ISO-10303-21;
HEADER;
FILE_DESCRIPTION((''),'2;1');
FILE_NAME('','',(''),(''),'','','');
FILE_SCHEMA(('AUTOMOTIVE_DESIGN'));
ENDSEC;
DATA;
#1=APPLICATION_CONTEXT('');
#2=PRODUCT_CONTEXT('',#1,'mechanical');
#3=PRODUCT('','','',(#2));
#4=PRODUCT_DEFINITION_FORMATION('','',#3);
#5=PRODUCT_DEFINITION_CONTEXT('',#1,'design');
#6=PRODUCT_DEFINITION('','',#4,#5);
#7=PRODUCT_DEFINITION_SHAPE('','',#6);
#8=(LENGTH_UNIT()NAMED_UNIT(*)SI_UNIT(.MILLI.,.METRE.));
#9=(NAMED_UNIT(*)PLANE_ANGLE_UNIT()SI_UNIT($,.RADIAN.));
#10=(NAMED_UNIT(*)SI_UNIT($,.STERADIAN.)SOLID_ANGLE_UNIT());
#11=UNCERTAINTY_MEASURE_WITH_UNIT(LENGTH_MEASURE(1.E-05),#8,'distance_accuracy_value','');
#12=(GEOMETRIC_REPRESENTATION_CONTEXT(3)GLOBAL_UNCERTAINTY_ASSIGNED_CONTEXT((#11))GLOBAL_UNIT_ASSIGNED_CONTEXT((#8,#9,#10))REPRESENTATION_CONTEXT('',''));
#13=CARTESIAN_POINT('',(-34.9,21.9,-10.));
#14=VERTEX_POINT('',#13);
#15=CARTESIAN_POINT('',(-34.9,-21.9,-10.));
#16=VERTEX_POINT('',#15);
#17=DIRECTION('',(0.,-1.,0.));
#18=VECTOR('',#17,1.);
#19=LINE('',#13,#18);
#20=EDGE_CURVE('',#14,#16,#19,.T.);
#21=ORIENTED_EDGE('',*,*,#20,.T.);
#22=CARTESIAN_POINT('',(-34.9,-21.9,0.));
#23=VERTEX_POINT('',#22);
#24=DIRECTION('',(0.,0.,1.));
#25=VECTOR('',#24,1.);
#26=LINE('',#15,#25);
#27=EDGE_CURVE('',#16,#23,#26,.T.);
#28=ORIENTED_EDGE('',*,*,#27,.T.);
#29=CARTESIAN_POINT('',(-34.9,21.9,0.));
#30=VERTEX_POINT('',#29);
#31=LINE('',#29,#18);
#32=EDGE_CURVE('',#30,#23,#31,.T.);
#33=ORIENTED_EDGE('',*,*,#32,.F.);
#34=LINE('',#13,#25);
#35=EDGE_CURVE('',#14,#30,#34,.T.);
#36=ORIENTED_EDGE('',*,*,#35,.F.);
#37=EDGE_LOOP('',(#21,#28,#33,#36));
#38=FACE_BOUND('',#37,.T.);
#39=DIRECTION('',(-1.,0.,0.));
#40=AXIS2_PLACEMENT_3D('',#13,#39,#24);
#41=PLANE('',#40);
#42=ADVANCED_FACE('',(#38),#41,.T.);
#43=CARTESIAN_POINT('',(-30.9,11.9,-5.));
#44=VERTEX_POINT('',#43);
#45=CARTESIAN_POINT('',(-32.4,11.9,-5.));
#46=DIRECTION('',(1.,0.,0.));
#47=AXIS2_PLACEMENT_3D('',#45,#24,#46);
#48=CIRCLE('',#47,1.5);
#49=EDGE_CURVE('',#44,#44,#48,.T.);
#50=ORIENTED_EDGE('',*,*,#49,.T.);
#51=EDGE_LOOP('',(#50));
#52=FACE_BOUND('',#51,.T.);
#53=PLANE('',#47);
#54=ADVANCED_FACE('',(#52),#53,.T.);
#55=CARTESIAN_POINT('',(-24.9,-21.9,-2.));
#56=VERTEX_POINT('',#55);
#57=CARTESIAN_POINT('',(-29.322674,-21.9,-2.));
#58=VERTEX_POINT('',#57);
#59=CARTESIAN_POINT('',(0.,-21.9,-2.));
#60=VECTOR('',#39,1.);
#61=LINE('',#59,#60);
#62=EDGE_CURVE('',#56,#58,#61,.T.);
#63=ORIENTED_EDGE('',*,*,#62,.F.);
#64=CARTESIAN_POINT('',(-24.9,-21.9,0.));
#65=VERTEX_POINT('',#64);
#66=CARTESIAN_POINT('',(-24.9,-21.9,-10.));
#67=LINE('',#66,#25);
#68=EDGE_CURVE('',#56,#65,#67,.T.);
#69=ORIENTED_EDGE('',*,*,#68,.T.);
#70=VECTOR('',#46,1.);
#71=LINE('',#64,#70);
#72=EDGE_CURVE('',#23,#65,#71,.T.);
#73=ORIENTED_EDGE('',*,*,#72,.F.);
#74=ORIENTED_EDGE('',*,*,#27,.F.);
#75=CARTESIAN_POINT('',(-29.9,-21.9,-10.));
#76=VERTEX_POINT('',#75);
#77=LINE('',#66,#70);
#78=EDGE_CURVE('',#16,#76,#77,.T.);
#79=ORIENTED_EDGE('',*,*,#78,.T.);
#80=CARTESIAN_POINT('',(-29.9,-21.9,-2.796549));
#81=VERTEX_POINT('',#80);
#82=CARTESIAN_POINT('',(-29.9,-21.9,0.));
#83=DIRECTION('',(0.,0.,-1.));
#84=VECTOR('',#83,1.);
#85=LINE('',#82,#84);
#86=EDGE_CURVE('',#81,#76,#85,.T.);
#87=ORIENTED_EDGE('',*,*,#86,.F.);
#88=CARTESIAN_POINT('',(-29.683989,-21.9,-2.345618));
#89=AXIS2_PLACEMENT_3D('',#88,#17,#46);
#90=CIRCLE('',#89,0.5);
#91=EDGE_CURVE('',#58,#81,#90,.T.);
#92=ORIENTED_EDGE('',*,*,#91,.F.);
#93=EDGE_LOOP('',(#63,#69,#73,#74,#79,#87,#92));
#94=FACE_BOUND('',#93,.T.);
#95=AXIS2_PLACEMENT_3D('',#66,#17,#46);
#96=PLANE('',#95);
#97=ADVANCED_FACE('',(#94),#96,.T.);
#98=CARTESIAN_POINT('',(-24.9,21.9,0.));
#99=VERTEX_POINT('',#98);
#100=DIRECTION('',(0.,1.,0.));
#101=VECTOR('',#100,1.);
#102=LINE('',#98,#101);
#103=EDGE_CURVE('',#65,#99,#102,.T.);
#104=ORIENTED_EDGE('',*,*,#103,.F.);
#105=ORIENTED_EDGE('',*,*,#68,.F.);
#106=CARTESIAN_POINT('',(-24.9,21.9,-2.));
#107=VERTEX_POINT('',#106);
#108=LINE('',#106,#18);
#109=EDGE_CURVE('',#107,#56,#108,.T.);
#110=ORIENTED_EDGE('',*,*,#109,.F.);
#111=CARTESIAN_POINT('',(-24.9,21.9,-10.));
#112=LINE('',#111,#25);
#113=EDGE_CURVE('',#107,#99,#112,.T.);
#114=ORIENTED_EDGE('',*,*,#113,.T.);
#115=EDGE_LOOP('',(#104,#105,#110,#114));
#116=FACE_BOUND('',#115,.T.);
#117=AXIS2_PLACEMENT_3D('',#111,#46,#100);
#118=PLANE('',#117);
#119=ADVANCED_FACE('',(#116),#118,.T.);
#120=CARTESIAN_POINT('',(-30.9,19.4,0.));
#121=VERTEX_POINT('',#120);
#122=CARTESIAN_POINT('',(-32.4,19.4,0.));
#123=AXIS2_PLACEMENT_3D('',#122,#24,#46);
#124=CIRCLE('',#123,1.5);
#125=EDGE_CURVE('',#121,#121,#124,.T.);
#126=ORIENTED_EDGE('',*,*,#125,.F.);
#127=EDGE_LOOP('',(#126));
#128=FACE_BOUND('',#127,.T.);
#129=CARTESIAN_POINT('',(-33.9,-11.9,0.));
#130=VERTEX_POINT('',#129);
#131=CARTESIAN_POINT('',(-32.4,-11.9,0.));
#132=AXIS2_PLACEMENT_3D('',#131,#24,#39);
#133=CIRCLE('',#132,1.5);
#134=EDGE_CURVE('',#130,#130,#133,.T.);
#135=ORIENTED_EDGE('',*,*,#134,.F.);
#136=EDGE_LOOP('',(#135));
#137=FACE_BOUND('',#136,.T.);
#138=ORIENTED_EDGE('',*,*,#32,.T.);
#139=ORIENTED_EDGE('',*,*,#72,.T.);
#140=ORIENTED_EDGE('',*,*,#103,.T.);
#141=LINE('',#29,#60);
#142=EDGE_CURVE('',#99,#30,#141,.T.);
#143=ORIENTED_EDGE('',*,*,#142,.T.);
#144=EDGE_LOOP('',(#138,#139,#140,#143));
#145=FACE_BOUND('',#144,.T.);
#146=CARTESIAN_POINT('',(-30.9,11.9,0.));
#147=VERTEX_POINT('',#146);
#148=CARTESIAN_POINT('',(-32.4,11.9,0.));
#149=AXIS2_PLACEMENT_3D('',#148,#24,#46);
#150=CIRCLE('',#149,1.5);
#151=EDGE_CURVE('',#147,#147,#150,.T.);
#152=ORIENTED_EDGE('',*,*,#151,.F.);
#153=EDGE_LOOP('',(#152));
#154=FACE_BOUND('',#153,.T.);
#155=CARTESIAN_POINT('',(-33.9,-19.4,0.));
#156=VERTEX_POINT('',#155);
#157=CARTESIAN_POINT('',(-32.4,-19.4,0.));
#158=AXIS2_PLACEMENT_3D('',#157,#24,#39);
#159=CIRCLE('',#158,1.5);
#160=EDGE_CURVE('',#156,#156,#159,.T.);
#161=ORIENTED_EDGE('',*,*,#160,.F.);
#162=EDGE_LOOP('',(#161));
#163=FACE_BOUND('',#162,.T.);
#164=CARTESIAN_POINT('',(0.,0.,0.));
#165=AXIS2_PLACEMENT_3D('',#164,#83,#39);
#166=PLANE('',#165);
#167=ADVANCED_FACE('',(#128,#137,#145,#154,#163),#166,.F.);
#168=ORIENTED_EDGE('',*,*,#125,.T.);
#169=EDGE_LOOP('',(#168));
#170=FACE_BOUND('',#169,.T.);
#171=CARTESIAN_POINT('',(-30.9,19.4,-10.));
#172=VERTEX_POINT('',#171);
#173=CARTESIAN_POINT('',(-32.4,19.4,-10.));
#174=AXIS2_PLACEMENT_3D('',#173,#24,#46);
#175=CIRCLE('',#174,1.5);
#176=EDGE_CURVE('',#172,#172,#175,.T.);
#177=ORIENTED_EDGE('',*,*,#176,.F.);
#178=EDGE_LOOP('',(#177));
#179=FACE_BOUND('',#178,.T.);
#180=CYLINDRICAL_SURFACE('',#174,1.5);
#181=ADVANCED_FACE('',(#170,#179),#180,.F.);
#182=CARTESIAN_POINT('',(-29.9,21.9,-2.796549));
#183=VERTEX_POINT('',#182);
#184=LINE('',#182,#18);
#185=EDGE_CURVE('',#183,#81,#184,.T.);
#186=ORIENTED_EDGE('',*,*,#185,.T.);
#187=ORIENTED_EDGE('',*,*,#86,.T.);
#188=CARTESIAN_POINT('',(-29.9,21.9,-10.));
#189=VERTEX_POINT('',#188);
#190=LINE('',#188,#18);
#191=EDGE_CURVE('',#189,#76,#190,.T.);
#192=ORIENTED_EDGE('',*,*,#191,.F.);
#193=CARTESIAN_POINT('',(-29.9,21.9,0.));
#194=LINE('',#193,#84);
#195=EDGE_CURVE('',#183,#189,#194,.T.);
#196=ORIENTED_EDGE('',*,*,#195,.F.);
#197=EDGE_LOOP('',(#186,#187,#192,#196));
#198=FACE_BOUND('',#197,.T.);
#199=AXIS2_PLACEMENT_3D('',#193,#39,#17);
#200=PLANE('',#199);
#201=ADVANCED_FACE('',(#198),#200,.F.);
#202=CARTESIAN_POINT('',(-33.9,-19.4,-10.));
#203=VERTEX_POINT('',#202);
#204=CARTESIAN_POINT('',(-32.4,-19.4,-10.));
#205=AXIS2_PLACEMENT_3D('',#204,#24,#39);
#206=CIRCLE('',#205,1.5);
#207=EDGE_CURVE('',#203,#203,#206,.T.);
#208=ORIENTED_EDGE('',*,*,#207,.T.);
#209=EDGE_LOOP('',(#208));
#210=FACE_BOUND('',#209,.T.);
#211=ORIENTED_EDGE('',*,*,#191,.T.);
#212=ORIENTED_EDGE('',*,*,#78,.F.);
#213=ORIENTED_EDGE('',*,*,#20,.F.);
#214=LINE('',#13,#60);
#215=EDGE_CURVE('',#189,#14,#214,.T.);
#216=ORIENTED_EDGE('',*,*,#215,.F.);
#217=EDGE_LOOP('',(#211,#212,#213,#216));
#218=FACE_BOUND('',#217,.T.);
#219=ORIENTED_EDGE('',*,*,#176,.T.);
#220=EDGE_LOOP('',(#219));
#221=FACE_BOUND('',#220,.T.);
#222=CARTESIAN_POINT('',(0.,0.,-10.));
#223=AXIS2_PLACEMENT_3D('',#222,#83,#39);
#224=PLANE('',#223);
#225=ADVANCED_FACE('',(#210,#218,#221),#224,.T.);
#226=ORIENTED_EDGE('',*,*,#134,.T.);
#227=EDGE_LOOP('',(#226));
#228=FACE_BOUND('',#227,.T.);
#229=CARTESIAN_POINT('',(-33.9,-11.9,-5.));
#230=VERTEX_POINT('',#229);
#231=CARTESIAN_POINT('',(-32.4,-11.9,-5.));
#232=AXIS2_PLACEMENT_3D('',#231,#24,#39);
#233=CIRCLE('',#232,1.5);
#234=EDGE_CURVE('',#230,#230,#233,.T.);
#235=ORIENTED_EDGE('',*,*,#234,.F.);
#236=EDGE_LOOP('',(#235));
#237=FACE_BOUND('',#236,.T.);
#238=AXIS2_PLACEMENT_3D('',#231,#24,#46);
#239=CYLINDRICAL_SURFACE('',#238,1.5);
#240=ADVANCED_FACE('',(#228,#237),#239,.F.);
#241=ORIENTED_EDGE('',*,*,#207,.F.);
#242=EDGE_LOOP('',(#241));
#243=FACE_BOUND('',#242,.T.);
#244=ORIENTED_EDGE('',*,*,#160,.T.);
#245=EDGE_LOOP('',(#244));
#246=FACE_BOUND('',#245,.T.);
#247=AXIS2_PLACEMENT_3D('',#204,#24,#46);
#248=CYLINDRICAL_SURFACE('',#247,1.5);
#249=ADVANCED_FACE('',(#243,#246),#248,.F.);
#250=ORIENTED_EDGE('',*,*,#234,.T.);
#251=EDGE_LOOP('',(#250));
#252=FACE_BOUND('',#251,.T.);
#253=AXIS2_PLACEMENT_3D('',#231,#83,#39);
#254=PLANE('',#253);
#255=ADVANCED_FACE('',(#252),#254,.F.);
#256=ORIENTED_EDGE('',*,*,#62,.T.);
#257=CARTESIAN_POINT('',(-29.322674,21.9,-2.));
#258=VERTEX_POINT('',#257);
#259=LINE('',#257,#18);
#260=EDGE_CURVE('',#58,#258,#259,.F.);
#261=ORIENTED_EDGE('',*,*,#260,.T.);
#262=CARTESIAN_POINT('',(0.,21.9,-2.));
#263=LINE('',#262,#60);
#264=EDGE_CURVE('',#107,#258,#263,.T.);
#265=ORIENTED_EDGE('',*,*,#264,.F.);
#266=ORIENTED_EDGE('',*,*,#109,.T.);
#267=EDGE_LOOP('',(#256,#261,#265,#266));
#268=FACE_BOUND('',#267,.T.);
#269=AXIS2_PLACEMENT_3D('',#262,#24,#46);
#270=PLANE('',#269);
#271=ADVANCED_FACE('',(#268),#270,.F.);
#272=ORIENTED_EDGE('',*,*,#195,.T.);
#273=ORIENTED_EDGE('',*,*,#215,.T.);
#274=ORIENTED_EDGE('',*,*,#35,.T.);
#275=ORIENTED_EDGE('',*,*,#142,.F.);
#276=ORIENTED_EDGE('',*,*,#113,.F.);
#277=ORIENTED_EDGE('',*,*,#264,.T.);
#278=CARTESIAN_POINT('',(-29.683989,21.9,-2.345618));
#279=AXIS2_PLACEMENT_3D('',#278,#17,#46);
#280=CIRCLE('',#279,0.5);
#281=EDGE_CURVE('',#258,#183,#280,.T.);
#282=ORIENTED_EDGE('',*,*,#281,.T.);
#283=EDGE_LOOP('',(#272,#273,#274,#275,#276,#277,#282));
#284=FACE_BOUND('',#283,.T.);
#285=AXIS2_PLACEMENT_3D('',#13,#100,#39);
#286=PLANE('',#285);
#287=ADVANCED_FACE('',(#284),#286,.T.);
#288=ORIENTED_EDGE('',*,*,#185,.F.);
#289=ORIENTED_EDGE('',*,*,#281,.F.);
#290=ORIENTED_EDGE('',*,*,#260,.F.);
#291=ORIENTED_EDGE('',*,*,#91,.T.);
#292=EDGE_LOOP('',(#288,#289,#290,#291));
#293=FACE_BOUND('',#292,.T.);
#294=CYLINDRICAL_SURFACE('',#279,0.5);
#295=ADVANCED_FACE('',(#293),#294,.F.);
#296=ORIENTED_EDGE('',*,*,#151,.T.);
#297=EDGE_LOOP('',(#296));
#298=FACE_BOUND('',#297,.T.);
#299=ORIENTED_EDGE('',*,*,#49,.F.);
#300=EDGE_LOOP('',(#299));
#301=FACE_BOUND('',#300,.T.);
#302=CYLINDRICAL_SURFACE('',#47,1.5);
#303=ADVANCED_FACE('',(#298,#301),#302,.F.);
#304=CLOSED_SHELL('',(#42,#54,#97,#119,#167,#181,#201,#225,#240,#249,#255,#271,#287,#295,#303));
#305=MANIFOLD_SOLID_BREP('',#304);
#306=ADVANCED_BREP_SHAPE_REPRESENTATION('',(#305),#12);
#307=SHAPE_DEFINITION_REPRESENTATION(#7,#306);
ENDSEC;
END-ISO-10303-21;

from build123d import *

# Parameters (mm, degrees)
SKETCH_1_W          = 10
SKETCH_1_H          = 43.8
EXTRUDE_1_DEPTH     = 10
SKETCH_2_R          = 0.5
SKETCH_2_W          = 5
SKETCH_2_H          = 8
CUT_EXTRUDE_1_DEPTH = 57.889805765
SKETCH_3_R          = 1.5
CUT_EXTRUDE_2_DEPTH = 43.398349024
SKETCH_4_R          = 1.5
CUT_EXTRUDE_3_DEPTH = 5


with BuildPart() as part:
    # 草圖1 → 填料-伸長1 (new body)
    with BuildSketch(Plane.XY):
        with Locations((-29.9, 0)):
            Rectangle(SKETCH_1_W, SKETCH_1_H)
    extrude(amount=-EXTRUDE_1_DEPTH)

    # 草圖2 → 除料-伸長1 (cut, through all)
    with BuildSketch(Plane.XZ.offset(21.9)):
        with Locations((-29.683988881, -2.34561779)):
            Circle(SKETCH_2_R)
        with Locations((-27.4, -6)):
            Rectangle(SKETCH_2_W, SKETCH_2_H)
    extrude(amount=-CUT_EXTRUDE_1_DEPTH, mode=Mode.SUBTRACT)

    # 草圖3 → 除料-伸長2 (cut, through all)
    with BuildSketch(Plane.XY):
        with Locations((-32.4, 19.4)):
            Circle(SKETCH_3_R)
        with Locations(Location((-32.4, -19.4, 0), (0, 0, 180))):
            Circle(SKETCH_3_R)
    extrude(amount=-CUT_EXTRUDE_2_DEPTH, mode=Mode.SUBTRACT)

    # 草圖4 → 除料-伸長3 (cut)
    with BuildSketch(Plane.XY):
        with Locations((-32.4, 11.9)):
            Circle(SKETCH_4_R)
        with Locations(Location((-32.4, -11.9, 0), (0, 0, 180))):
            Circle(SKETCH_4_R)
    extrude(amount=-CUT_EXTRUDE_3_DEPTH, mode=Mode.SUBTRACT)


solid = part.part
